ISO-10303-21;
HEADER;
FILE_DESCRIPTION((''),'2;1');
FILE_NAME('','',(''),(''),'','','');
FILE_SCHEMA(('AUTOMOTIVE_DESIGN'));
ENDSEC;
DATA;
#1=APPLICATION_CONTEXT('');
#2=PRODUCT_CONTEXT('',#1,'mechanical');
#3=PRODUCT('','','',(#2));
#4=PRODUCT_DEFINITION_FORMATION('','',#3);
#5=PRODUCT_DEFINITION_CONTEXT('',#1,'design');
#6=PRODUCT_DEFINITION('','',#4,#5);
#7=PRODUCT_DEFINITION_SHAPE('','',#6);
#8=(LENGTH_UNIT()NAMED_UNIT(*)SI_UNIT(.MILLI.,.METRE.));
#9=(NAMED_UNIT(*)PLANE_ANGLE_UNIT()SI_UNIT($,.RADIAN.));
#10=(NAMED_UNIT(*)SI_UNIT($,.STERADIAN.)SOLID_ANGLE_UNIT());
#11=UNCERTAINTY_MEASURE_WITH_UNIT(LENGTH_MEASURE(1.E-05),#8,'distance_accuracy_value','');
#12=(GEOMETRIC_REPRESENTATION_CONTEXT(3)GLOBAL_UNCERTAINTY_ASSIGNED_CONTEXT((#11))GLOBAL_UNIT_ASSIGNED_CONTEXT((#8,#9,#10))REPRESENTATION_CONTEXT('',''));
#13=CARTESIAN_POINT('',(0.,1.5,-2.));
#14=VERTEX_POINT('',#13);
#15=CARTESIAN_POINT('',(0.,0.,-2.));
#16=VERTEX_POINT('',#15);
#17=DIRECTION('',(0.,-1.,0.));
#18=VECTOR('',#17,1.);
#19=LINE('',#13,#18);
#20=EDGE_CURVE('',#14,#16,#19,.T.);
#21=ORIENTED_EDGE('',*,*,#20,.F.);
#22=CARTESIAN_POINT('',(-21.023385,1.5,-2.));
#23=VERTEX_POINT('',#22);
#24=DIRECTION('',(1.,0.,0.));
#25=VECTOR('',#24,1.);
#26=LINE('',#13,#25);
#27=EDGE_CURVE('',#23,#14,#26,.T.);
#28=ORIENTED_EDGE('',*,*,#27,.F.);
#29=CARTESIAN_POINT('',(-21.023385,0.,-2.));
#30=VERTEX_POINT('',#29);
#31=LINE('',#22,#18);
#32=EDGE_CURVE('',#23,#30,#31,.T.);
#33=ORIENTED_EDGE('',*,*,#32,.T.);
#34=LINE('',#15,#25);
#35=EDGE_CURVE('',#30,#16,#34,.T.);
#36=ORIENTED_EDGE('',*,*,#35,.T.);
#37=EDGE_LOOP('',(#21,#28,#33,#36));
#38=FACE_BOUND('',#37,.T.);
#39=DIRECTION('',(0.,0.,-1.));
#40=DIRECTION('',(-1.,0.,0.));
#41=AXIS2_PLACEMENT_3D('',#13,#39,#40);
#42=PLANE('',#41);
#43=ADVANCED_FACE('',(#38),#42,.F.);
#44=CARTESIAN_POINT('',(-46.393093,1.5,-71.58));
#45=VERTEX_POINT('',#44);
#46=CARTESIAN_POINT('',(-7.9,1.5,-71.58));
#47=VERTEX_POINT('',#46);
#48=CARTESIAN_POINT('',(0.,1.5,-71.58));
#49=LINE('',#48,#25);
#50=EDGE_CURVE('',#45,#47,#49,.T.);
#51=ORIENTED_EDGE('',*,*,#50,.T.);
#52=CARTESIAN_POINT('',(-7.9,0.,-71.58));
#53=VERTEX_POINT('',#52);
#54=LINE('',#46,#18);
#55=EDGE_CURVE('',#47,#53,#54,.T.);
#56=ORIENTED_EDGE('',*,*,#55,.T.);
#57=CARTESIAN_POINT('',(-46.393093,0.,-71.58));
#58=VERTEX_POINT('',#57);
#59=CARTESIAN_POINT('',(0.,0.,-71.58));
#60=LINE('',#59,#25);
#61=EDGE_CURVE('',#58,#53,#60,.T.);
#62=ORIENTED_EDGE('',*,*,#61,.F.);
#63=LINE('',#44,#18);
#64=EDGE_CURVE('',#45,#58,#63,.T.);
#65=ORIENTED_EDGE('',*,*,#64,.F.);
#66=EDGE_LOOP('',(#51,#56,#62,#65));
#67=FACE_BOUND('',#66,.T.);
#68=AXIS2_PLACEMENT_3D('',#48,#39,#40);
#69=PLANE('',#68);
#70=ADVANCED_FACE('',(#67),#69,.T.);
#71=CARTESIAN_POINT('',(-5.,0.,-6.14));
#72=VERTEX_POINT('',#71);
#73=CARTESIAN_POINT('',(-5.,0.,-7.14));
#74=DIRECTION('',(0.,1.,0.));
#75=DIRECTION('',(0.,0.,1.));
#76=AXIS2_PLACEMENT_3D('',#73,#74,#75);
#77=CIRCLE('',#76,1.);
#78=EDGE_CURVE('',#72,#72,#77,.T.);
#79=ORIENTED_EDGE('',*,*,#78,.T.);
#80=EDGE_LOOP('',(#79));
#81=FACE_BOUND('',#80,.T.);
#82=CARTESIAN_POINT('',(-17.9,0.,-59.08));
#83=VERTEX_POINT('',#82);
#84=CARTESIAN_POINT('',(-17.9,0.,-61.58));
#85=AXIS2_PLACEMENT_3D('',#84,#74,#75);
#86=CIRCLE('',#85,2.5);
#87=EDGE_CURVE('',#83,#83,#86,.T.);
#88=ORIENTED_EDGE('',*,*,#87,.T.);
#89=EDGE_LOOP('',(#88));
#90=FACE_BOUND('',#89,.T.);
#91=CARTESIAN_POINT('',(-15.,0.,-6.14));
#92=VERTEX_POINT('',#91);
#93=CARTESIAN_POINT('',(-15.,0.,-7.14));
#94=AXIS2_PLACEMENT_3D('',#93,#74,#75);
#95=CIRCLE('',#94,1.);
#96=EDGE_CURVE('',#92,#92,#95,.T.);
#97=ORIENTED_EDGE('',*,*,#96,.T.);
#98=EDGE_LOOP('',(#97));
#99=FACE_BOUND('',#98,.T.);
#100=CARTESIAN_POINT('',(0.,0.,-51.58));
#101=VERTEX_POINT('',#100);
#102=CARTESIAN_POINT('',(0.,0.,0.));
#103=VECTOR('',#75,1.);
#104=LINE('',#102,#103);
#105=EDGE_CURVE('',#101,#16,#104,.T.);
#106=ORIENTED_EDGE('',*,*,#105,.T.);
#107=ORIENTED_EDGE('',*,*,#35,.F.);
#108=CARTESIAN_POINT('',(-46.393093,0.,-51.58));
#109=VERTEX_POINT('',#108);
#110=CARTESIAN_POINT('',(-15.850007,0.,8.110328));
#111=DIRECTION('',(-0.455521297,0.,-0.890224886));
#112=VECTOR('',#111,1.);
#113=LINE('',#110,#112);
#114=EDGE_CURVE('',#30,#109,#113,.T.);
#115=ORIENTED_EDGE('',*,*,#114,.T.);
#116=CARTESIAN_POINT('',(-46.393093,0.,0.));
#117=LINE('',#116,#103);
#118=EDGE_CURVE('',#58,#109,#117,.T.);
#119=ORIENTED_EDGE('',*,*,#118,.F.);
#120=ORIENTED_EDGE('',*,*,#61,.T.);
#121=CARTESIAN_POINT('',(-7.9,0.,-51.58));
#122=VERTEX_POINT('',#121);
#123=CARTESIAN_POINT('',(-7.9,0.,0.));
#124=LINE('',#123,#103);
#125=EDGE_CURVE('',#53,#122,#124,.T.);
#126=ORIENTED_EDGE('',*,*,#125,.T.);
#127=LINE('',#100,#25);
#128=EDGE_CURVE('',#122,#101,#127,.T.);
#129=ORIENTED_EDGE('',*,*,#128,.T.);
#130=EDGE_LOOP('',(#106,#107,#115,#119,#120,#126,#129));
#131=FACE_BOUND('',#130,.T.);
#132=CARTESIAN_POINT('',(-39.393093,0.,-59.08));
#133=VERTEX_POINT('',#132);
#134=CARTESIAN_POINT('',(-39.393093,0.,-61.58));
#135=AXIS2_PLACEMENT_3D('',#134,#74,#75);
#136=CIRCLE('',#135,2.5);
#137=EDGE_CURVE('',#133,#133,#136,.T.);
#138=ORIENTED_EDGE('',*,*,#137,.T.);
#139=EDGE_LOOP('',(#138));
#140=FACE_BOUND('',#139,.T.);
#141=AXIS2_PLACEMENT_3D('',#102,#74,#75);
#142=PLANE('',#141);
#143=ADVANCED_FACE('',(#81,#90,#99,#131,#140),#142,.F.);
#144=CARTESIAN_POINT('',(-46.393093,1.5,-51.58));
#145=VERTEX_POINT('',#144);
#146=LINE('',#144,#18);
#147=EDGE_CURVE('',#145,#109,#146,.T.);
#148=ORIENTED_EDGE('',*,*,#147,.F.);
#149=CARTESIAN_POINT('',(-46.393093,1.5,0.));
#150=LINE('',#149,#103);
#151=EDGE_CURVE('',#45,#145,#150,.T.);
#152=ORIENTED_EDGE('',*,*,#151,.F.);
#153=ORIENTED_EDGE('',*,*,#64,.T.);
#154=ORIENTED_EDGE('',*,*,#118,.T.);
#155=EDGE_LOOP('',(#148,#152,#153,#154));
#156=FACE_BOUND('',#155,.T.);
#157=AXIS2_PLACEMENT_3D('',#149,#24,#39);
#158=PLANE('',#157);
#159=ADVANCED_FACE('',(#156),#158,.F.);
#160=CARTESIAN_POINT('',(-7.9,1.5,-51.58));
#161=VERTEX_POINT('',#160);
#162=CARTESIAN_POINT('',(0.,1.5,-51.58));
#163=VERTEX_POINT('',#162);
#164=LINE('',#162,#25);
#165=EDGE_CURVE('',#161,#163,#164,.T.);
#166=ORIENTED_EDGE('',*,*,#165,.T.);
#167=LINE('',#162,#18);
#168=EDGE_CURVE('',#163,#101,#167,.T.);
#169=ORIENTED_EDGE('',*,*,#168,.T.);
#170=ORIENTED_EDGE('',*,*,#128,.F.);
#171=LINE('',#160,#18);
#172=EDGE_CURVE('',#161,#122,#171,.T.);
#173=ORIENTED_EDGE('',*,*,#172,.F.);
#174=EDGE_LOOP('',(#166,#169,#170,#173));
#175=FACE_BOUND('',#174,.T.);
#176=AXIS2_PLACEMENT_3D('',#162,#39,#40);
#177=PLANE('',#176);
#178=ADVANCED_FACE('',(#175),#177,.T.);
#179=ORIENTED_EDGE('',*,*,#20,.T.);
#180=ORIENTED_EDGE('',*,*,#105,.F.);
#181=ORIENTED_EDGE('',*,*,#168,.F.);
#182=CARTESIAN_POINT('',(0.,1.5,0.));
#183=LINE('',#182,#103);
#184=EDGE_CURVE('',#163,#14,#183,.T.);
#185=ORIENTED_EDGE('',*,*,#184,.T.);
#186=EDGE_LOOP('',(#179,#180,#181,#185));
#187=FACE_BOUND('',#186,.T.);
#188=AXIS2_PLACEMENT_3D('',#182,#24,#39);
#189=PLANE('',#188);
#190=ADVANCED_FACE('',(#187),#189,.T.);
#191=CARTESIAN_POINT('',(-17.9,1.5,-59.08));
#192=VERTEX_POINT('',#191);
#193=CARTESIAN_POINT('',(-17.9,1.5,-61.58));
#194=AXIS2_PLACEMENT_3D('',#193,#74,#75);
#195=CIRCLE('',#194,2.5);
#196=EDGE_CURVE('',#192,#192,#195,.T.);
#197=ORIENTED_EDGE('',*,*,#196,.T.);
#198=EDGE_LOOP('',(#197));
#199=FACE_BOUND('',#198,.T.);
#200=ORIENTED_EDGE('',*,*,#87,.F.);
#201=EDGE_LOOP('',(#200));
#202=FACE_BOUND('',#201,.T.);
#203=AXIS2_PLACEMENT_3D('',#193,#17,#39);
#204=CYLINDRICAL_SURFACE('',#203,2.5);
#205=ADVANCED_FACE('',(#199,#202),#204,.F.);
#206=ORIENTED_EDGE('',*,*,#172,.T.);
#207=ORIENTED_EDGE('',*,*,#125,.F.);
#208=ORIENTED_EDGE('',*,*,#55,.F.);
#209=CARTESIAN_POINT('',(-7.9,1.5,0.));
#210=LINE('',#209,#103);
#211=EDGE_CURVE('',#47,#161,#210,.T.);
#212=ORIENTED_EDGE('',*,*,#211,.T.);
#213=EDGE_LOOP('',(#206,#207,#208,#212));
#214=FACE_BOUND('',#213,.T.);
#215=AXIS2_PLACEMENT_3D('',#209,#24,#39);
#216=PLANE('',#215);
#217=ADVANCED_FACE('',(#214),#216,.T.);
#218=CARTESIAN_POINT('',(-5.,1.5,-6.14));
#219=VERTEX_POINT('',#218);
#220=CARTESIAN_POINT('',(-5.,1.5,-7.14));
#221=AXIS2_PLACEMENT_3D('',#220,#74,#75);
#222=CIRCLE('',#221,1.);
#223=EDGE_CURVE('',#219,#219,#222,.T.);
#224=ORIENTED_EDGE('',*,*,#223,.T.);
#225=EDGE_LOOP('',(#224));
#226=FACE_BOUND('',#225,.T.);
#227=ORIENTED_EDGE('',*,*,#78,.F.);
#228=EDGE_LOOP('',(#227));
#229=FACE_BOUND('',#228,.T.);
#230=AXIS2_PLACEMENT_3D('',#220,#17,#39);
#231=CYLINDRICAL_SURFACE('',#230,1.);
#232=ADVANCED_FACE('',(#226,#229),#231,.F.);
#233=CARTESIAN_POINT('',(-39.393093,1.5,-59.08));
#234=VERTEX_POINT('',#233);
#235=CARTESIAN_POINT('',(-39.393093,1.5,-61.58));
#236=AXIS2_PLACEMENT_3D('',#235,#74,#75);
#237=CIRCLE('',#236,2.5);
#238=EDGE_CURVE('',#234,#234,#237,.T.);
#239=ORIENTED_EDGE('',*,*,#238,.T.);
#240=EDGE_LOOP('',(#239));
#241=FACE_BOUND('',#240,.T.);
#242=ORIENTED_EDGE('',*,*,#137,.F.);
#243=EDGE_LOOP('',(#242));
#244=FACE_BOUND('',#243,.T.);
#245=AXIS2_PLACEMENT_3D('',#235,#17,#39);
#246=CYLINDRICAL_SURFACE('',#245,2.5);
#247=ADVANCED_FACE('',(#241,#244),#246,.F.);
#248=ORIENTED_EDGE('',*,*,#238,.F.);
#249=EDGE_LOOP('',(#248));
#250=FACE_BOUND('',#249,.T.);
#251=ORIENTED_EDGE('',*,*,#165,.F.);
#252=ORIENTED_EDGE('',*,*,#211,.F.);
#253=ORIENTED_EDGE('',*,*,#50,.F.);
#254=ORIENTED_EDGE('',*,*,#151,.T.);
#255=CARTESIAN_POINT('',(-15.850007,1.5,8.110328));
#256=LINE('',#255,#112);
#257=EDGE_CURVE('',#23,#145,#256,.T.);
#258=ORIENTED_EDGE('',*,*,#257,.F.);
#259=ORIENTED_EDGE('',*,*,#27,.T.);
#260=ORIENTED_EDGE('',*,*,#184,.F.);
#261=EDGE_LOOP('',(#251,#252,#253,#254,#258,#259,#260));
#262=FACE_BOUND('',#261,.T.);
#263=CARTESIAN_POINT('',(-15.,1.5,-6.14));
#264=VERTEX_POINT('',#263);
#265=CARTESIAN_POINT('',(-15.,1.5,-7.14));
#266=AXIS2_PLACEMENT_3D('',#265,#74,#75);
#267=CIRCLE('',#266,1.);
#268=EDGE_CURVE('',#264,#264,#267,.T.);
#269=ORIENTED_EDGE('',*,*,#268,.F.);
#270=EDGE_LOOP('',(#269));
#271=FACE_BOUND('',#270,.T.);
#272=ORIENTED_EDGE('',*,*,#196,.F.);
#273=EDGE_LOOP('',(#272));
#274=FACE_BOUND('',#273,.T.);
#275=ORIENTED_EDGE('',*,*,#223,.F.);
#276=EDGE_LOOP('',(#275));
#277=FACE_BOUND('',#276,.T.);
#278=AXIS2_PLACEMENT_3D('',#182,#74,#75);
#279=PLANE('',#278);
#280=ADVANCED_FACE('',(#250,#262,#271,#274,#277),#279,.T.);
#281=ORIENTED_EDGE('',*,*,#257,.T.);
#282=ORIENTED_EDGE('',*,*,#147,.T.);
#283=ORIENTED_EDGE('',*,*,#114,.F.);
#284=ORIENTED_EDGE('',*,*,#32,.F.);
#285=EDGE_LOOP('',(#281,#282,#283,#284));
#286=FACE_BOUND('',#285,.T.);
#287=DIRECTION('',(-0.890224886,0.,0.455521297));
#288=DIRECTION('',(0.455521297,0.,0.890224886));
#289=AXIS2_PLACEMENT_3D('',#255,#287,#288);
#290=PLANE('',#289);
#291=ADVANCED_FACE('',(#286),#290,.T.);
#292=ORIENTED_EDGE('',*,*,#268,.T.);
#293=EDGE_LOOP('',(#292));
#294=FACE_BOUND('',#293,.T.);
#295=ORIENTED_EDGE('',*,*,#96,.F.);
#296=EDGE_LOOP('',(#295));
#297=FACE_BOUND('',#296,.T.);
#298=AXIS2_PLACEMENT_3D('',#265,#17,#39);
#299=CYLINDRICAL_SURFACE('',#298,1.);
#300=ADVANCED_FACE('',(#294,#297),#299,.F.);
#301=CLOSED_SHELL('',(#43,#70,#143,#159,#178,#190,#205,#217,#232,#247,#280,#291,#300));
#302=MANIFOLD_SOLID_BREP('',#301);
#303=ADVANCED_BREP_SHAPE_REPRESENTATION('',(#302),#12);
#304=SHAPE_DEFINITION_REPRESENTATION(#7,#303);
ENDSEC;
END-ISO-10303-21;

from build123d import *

# Parameters (mm, degrees)
SKETCH1_R           = 2.5
SKETCH1_R_2         = 1
BOSS_EXTRUDE1_DEPTH = 1.5


with BuildPart() as part:
    # Sketch1 → Boss-Extrude1 (new body)
    with BuildSketch(Plane(origin=(0, 0, 0), x_dir=(1, 0, 0), z_dir=(0, 1, 0))):
        Polygon((-7.9, 71.58), (-46.39309335, 71.58), (-46.39309335, 51.58), (-21.023384775, 2), (0, 2), (0, 51.58), (-7.9, 51.58), align=None)
        with Locations(Location((-17.9, 61.58, 0), (0, 0, 270))):
            Circle(SKETCH1_R, mode=Mode.SUBTRACT)
        with Locations(Location((-39.39309335, 61.58, 0), (0, 0, 270))):
            Circle(SKETCH1_R, mode=Mode.SUBTRACT)
        with Locations(Location((-5, 7.14, 0), (0, 0, 270))):
            Circle(SKETCH1_R_2, mode=Mode.SUBTRACT)
        with Locations(Location((-15, 7.14, 0), (0, 0, 270))):
            Circle(SKETCH1_R_2, mode=Mode.SUBTRACT)
    extrude(amount=BOSS_EXTRUDE1_DEPTH)


solid = part.part
